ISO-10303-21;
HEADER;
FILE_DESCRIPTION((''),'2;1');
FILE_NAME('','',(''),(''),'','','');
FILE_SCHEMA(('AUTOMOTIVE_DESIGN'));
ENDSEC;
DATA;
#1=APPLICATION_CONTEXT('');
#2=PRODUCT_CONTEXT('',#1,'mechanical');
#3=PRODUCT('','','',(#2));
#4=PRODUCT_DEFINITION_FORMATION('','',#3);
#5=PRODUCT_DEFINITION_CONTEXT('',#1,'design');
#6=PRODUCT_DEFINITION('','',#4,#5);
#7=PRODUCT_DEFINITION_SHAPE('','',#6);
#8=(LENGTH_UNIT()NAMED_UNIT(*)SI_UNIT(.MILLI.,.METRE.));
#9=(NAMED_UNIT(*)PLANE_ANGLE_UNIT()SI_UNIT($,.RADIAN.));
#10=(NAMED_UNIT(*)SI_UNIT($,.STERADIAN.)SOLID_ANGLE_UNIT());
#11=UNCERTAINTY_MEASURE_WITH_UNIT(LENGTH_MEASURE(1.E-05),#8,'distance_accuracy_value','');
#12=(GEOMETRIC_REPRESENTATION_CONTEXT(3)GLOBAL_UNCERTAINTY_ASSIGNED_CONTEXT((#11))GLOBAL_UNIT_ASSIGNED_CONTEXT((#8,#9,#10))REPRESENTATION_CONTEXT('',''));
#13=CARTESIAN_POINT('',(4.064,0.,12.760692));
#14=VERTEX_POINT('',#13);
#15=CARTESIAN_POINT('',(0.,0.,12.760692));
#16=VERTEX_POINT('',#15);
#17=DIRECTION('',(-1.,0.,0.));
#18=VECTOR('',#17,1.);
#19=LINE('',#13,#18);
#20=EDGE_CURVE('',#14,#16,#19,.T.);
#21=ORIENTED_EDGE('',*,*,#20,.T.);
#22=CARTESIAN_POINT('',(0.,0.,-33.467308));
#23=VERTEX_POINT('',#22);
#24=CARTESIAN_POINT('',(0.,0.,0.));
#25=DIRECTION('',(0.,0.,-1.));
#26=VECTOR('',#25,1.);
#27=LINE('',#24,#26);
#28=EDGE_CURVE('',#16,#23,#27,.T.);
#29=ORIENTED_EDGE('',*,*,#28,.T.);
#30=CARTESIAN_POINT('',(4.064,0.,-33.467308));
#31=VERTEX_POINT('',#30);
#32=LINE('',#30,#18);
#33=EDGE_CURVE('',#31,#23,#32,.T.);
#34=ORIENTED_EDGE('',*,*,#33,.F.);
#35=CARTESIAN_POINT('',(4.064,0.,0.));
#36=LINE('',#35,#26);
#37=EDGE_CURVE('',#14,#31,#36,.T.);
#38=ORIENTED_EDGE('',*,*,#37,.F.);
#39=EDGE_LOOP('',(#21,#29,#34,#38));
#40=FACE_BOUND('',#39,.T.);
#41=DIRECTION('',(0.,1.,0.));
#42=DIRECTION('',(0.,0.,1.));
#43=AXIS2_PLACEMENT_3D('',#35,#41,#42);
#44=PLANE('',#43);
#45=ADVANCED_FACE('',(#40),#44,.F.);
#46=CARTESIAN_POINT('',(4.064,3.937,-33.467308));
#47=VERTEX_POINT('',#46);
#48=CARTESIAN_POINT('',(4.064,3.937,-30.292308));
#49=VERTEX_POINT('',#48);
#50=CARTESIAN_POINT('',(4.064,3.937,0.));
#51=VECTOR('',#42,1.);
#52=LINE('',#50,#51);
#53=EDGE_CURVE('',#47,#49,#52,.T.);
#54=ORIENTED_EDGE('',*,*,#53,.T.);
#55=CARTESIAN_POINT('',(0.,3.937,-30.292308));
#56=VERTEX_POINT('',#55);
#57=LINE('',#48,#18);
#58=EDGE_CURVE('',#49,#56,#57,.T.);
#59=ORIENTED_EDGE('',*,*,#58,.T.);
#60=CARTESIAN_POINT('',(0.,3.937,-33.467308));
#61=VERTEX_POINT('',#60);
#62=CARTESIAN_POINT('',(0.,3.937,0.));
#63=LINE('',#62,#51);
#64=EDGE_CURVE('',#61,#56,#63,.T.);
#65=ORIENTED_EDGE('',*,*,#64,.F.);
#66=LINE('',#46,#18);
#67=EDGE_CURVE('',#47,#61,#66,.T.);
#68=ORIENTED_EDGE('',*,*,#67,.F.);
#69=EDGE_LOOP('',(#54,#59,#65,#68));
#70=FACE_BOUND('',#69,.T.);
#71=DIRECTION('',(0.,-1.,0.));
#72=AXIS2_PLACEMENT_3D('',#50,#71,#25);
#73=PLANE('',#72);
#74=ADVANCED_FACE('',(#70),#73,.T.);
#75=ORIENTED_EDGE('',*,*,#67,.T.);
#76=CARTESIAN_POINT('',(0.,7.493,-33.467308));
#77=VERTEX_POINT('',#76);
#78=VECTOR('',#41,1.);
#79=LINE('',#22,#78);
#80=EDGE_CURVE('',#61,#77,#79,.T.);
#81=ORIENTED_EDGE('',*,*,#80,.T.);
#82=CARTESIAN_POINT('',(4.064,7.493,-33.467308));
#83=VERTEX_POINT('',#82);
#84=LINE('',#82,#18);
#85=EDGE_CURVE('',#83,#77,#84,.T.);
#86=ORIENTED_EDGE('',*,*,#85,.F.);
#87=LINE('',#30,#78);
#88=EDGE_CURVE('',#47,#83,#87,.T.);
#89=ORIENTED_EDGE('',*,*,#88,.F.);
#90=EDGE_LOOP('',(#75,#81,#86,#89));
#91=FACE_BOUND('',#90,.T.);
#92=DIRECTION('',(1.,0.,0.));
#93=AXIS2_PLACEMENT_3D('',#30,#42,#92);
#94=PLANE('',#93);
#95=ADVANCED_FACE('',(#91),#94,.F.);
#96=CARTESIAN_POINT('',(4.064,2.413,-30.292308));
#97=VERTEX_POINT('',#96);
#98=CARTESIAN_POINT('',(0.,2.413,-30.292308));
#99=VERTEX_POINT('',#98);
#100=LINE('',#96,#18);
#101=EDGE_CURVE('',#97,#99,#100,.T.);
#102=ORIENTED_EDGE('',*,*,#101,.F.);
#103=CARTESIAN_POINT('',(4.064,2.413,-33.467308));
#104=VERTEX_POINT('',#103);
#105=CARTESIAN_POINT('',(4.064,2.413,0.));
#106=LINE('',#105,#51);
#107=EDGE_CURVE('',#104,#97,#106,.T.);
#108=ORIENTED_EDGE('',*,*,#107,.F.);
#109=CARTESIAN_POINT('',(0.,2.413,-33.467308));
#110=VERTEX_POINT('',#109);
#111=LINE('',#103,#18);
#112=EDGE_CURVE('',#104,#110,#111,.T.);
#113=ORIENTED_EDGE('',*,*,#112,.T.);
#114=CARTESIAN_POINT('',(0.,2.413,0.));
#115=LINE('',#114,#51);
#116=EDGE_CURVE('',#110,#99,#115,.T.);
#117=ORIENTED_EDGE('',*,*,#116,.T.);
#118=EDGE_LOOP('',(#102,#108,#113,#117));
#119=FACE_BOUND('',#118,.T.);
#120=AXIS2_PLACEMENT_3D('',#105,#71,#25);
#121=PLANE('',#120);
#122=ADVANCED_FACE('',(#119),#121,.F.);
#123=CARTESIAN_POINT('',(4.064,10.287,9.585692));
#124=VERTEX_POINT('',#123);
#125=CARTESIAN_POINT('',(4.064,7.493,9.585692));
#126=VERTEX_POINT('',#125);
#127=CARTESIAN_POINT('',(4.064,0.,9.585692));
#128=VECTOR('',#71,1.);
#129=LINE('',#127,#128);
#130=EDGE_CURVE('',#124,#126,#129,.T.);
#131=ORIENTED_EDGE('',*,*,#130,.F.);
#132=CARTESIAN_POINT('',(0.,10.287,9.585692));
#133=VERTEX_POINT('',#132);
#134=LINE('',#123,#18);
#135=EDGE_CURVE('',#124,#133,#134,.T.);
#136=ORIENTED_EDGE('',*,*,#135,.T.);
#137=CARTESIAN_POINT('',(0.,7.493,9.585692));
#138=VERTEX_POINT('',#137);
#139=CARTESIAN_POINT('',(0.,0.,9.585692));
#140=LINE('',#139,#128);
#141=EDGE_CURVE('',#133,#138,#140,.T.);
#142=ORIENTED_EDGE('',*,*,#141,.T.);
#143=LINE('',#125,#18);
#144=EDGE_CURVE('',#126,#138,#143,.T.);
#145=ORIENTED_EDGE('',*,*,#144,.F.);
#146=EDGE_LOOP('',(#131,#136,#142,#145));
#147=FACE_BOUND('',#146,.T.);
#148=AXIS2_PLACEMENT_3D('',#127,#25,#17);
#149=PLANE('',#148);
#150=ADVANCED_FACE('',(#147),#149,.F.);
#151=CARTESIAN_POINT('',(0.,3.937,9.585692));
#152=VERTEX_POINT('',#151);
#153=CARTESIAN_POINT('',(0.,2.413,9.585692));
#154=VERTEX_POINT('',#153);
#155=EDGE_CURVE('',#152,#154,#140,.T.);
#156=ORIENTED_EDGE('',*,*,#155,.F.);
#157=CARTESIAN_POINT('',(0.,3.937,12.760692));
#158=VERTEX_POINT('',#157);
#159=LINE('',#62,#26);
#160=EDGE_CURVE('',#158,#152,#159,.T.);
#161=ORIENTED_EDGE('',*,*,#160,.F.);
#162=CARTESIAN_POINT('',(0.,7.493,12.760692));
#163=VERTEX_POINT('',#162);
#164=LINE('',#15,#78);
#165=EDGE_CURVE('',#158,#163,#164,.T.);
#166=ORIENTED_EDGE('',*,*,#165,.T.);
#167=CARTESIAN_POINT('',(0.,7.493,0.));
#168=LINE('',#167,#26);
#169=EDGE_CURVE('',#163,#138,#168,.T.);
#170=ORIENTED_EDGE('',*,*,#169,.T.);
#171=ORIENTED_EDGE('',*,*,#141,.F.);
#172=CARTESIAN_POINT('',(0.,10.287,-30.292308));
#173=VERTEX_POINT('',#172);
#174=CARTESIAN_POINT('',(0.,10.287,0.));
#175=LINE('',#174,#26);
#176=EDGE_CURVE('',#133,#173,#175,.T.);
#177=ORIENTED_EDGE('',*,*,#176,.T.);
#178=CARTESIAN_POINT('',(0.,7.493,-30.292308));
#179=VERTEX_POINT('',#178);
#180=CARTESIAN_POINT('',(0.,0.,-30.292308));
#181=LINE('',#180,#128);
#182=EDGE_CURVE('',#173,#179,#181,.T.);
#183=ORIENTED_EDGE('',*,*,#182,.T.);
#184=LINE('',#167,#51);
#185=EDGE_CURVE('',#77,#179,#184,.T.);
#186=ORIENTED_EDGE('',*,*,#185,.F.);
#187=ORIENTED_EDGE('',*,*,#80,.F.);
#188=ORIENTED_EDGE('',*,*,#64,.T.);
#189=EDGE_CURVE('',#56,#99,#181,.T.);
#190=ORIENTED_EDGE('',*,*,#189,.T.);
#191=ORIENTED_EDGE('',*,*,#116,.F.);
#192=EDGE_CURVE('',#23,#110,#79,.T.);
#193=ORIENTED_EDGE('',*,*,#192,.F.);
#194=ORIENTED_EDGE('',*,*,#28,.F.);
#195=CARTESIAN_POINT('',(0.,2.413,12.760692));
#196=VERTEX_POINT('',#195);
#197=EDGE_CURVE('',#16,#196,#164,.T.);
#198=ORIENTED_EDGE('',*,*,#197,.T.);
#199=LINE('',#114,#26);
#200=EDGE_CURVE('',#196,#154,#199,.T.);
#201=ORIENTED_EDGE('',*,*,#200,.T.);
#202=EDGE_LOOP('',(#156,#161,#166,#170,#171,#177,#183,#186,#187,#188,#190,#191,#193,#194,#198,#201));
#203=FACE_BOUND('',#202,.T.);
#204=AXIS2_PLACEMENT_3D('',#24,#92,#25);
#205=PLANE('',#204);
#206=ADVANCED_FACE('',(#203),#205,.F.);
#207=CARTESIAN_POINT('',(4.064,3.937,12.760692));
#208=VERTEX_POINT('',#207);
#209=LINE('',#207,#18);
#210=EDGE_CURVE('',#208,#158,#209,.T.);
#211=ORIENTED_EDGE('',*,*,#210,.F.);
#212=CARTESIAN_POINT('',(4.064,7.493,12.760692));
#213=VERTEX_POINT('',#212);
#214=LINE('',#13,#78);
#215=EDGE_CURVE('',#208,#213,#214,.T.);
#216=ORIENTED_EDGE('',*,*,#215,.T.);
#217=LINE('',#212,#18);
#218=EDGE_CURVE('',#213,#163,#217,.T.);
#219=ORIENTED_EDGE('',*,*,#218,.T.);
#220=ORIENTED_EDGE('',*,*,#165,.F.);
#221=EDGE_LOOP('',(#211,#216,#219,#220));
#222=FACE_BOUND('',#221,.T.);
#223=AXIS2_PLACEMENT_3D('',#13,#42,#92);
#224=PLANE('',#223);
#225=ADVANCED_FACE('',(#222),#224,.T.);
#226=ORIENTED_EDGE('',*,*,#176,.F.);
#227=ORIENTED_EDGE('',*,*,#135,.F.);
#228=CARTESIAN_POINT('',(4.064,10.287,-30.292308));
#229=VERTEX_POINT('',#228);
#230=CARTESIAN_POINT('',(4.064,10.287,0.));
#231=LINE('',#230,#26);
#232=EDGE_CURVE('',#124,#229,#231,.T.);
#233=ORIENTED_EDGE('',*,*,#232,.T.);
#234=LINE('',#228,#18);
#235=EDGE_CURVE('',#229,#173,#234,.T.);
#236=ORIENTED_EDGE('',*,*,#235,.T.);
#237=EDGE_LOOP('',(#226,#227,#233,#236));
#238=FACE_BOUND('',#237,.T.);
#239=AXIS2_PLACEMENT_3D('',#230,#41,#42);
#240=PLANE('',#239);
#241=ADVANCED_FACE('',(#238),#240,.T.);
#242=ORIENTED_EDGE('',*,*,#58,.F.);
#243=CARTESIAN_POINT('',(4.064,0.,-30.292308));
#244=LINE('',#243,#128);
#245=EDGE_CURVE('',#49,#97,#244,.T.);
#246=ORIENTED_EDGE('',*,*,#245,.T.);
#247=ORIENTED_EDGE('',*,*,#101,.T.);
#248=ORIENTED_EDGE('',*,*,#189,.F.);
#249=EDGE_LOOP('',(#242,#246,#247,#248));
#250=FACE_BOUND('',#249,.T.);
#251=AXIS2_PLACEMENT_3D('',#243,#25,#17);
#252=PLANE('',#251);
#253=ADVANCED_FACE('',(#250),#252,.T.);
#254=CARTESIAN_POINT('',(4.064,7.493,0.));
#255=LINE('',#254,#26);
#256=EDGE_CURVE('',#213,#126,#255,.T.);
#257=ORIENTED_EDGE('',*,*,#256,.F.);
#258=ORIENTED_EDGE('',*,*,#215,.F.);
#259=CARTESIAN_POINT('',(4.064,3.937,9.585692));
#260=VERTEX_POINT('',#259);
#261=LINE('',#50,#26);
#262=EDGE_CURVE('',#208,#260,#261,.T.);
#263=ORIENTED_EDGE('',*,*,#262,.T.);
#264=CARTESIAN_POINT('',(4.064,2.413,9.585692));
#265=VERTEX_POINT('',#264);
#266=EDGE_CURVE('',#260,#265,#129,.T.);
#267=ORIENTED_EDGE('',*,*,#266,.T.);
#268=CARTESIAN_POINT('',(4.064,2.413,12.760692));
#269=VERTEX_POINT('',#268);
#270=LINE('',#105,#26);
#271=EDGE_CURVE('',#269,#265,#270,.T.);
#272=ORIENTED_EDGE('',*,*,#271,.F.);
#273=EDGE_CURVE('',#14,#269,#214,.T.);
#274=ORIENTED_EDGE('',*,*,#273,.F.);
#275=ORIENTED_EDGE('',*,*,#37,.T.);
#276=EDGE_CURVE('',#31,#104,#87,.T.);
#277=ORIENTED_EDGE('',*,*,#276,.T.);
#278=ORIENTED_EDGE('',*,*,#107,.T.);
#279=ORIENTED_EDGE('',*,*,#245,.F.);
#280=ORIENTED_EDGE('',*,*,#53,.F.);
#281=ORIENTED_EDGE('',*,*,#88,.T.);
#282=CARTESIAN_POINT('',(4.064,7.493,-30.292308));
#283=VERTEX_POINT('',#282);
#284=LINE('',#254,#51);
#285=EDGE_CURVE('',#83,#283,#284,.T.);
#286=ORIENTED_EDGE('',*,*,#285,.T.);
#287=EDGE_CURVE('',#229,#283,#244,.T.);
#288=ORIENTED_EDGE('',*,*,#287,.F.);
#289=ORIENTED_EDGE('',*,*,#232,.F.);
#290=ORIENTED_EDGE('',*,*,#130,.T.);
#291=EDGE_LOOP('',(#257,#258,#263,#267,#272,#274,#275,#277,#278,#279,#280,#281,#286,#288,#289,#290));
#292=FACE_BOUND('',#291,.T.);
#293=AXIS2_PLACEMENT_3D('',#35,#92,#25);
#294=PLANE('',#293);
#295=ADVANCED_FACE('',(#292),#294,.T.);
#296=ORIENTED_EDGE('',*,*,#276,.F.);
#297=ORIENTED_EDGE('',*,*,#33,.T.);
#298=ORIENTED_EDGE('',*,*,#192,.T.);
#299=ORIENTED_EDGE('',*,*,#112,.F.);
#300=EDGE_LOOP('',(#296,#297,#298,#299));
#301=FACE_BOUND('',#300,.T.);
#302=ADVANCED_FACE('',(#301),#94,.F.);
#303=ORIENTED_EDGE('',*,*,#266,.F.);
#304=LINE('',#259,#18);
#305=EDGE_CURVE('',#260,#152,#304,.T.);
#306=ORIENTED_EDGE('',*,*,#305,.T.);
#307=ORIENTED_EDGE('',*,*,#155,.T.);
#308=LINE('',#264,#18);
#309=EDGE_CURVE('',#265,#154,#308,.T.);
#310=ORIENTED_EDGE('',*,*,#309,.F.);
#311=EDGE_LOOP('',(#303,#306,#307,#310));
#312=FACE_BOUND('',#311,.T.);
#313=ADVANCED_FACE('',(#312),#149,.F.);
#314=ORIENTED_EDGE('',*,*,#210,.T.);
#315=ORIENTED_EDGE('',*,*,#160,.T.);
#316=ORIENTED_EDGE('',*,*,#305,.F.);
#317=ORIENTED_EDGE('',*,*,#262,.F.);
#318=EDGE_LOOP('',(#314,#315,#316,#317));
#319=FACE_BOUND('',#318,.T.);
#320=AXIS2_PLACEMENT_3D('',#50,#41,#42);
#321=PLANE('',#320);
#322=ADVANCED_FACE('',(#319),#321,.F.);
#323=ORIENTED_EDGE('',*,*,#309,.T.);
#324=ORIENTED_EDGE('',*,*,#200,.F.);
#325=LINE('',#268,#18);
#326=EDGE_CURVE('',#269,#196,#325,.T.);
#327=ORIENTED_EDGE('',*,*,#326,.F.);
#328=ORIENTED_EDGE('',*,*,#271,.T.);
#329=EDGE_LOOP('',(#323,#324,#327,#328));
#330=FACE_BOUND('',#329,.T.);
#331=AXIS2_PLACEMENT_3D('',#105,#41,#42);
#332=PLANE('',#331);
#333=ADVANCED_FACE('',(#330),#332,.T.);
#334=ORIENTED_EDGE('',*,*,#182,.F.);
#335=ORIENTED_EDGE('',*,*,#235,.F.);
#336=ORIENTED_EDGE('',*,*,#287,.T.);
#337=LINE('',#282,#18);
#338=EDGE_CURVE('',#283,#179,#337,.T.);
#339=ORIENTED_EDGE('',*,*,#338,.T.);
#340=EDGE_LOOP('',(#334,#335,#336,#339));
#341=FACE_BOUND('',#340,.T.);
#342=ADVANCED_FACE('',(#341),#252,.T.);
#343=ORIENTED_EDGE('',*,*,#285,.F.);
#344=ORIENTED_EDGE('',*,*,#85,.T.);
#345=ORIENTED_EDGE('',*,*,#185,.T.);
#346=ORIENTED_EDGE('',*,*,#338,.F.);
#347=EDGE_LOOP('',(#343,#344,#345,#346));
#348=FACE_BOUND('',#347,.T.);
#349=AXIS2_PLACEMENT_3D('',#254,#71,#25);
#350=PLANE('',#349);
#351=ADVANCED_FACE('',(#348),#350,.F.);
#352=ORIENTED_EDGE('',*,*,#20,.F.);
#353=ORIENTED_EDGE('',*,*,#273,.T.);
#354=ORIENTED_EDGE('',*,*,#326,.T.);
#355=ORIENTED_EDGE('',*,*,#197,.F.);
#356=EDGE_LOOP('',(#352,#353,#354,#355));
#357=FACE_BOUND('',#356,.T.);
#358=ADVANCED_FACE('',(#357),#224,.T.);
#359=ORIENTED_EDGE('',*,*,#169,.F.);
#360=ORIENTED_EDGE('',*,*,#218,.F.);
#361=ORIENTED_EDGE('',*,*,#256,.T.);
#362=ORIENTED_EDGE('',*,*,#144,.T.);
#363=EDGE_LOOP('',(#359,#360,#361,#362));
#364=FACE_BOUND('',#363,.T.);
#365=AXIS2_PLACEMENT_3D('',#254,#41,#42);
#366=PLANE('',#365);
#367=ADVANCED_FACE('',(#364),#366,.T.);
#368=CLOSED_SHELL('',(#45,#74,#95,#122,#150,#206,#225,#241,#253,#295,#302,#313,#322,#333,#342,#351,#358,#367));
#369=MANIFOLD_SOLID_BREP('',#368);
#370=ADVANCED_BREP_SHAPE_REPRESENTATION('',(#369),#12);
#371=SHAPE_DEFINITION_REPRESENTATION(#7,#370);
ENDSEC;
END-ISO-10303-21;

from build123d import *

# Parameters (mm, degrees)
BOSS_EXTRUDE1_DEPTH = 4.064


with BuildPart() as part:
    # Sketch1 → Boss-Extrude1 (new body)
    with BuildSketch(Plane(origin=(0, 0, 0), x_dir=(0, 0, -1), z_dir=(1, 0, 0))):
        Polygon((10.353307799, 10.287), (10.353307799, 0), (33.467307799, 0), (33.467307799, 2.413), (30.292307799, 2.413), (30.292307799, 3.937), (33.467307799, 3.937), (33.467307799, 7.493), (30.292307799, 7.493), (30.292307799, 10.287), align=None)
        Polygon((-12.760692201, 2.413), (-12.760692201, 0), (10.353307799, 0), (10.353307799, 10.287), (-9.585692201, 10.287), (-9.585692201, 7.493), (-12.760692201, 7.493), (-12.760692201, 3.937), (-9.585692201, 3.937), (-9.585692201, 2.413), align=None)
    extrude(amount=BOSS_EXTRUDE1_DEPTH)


solid = part.part
